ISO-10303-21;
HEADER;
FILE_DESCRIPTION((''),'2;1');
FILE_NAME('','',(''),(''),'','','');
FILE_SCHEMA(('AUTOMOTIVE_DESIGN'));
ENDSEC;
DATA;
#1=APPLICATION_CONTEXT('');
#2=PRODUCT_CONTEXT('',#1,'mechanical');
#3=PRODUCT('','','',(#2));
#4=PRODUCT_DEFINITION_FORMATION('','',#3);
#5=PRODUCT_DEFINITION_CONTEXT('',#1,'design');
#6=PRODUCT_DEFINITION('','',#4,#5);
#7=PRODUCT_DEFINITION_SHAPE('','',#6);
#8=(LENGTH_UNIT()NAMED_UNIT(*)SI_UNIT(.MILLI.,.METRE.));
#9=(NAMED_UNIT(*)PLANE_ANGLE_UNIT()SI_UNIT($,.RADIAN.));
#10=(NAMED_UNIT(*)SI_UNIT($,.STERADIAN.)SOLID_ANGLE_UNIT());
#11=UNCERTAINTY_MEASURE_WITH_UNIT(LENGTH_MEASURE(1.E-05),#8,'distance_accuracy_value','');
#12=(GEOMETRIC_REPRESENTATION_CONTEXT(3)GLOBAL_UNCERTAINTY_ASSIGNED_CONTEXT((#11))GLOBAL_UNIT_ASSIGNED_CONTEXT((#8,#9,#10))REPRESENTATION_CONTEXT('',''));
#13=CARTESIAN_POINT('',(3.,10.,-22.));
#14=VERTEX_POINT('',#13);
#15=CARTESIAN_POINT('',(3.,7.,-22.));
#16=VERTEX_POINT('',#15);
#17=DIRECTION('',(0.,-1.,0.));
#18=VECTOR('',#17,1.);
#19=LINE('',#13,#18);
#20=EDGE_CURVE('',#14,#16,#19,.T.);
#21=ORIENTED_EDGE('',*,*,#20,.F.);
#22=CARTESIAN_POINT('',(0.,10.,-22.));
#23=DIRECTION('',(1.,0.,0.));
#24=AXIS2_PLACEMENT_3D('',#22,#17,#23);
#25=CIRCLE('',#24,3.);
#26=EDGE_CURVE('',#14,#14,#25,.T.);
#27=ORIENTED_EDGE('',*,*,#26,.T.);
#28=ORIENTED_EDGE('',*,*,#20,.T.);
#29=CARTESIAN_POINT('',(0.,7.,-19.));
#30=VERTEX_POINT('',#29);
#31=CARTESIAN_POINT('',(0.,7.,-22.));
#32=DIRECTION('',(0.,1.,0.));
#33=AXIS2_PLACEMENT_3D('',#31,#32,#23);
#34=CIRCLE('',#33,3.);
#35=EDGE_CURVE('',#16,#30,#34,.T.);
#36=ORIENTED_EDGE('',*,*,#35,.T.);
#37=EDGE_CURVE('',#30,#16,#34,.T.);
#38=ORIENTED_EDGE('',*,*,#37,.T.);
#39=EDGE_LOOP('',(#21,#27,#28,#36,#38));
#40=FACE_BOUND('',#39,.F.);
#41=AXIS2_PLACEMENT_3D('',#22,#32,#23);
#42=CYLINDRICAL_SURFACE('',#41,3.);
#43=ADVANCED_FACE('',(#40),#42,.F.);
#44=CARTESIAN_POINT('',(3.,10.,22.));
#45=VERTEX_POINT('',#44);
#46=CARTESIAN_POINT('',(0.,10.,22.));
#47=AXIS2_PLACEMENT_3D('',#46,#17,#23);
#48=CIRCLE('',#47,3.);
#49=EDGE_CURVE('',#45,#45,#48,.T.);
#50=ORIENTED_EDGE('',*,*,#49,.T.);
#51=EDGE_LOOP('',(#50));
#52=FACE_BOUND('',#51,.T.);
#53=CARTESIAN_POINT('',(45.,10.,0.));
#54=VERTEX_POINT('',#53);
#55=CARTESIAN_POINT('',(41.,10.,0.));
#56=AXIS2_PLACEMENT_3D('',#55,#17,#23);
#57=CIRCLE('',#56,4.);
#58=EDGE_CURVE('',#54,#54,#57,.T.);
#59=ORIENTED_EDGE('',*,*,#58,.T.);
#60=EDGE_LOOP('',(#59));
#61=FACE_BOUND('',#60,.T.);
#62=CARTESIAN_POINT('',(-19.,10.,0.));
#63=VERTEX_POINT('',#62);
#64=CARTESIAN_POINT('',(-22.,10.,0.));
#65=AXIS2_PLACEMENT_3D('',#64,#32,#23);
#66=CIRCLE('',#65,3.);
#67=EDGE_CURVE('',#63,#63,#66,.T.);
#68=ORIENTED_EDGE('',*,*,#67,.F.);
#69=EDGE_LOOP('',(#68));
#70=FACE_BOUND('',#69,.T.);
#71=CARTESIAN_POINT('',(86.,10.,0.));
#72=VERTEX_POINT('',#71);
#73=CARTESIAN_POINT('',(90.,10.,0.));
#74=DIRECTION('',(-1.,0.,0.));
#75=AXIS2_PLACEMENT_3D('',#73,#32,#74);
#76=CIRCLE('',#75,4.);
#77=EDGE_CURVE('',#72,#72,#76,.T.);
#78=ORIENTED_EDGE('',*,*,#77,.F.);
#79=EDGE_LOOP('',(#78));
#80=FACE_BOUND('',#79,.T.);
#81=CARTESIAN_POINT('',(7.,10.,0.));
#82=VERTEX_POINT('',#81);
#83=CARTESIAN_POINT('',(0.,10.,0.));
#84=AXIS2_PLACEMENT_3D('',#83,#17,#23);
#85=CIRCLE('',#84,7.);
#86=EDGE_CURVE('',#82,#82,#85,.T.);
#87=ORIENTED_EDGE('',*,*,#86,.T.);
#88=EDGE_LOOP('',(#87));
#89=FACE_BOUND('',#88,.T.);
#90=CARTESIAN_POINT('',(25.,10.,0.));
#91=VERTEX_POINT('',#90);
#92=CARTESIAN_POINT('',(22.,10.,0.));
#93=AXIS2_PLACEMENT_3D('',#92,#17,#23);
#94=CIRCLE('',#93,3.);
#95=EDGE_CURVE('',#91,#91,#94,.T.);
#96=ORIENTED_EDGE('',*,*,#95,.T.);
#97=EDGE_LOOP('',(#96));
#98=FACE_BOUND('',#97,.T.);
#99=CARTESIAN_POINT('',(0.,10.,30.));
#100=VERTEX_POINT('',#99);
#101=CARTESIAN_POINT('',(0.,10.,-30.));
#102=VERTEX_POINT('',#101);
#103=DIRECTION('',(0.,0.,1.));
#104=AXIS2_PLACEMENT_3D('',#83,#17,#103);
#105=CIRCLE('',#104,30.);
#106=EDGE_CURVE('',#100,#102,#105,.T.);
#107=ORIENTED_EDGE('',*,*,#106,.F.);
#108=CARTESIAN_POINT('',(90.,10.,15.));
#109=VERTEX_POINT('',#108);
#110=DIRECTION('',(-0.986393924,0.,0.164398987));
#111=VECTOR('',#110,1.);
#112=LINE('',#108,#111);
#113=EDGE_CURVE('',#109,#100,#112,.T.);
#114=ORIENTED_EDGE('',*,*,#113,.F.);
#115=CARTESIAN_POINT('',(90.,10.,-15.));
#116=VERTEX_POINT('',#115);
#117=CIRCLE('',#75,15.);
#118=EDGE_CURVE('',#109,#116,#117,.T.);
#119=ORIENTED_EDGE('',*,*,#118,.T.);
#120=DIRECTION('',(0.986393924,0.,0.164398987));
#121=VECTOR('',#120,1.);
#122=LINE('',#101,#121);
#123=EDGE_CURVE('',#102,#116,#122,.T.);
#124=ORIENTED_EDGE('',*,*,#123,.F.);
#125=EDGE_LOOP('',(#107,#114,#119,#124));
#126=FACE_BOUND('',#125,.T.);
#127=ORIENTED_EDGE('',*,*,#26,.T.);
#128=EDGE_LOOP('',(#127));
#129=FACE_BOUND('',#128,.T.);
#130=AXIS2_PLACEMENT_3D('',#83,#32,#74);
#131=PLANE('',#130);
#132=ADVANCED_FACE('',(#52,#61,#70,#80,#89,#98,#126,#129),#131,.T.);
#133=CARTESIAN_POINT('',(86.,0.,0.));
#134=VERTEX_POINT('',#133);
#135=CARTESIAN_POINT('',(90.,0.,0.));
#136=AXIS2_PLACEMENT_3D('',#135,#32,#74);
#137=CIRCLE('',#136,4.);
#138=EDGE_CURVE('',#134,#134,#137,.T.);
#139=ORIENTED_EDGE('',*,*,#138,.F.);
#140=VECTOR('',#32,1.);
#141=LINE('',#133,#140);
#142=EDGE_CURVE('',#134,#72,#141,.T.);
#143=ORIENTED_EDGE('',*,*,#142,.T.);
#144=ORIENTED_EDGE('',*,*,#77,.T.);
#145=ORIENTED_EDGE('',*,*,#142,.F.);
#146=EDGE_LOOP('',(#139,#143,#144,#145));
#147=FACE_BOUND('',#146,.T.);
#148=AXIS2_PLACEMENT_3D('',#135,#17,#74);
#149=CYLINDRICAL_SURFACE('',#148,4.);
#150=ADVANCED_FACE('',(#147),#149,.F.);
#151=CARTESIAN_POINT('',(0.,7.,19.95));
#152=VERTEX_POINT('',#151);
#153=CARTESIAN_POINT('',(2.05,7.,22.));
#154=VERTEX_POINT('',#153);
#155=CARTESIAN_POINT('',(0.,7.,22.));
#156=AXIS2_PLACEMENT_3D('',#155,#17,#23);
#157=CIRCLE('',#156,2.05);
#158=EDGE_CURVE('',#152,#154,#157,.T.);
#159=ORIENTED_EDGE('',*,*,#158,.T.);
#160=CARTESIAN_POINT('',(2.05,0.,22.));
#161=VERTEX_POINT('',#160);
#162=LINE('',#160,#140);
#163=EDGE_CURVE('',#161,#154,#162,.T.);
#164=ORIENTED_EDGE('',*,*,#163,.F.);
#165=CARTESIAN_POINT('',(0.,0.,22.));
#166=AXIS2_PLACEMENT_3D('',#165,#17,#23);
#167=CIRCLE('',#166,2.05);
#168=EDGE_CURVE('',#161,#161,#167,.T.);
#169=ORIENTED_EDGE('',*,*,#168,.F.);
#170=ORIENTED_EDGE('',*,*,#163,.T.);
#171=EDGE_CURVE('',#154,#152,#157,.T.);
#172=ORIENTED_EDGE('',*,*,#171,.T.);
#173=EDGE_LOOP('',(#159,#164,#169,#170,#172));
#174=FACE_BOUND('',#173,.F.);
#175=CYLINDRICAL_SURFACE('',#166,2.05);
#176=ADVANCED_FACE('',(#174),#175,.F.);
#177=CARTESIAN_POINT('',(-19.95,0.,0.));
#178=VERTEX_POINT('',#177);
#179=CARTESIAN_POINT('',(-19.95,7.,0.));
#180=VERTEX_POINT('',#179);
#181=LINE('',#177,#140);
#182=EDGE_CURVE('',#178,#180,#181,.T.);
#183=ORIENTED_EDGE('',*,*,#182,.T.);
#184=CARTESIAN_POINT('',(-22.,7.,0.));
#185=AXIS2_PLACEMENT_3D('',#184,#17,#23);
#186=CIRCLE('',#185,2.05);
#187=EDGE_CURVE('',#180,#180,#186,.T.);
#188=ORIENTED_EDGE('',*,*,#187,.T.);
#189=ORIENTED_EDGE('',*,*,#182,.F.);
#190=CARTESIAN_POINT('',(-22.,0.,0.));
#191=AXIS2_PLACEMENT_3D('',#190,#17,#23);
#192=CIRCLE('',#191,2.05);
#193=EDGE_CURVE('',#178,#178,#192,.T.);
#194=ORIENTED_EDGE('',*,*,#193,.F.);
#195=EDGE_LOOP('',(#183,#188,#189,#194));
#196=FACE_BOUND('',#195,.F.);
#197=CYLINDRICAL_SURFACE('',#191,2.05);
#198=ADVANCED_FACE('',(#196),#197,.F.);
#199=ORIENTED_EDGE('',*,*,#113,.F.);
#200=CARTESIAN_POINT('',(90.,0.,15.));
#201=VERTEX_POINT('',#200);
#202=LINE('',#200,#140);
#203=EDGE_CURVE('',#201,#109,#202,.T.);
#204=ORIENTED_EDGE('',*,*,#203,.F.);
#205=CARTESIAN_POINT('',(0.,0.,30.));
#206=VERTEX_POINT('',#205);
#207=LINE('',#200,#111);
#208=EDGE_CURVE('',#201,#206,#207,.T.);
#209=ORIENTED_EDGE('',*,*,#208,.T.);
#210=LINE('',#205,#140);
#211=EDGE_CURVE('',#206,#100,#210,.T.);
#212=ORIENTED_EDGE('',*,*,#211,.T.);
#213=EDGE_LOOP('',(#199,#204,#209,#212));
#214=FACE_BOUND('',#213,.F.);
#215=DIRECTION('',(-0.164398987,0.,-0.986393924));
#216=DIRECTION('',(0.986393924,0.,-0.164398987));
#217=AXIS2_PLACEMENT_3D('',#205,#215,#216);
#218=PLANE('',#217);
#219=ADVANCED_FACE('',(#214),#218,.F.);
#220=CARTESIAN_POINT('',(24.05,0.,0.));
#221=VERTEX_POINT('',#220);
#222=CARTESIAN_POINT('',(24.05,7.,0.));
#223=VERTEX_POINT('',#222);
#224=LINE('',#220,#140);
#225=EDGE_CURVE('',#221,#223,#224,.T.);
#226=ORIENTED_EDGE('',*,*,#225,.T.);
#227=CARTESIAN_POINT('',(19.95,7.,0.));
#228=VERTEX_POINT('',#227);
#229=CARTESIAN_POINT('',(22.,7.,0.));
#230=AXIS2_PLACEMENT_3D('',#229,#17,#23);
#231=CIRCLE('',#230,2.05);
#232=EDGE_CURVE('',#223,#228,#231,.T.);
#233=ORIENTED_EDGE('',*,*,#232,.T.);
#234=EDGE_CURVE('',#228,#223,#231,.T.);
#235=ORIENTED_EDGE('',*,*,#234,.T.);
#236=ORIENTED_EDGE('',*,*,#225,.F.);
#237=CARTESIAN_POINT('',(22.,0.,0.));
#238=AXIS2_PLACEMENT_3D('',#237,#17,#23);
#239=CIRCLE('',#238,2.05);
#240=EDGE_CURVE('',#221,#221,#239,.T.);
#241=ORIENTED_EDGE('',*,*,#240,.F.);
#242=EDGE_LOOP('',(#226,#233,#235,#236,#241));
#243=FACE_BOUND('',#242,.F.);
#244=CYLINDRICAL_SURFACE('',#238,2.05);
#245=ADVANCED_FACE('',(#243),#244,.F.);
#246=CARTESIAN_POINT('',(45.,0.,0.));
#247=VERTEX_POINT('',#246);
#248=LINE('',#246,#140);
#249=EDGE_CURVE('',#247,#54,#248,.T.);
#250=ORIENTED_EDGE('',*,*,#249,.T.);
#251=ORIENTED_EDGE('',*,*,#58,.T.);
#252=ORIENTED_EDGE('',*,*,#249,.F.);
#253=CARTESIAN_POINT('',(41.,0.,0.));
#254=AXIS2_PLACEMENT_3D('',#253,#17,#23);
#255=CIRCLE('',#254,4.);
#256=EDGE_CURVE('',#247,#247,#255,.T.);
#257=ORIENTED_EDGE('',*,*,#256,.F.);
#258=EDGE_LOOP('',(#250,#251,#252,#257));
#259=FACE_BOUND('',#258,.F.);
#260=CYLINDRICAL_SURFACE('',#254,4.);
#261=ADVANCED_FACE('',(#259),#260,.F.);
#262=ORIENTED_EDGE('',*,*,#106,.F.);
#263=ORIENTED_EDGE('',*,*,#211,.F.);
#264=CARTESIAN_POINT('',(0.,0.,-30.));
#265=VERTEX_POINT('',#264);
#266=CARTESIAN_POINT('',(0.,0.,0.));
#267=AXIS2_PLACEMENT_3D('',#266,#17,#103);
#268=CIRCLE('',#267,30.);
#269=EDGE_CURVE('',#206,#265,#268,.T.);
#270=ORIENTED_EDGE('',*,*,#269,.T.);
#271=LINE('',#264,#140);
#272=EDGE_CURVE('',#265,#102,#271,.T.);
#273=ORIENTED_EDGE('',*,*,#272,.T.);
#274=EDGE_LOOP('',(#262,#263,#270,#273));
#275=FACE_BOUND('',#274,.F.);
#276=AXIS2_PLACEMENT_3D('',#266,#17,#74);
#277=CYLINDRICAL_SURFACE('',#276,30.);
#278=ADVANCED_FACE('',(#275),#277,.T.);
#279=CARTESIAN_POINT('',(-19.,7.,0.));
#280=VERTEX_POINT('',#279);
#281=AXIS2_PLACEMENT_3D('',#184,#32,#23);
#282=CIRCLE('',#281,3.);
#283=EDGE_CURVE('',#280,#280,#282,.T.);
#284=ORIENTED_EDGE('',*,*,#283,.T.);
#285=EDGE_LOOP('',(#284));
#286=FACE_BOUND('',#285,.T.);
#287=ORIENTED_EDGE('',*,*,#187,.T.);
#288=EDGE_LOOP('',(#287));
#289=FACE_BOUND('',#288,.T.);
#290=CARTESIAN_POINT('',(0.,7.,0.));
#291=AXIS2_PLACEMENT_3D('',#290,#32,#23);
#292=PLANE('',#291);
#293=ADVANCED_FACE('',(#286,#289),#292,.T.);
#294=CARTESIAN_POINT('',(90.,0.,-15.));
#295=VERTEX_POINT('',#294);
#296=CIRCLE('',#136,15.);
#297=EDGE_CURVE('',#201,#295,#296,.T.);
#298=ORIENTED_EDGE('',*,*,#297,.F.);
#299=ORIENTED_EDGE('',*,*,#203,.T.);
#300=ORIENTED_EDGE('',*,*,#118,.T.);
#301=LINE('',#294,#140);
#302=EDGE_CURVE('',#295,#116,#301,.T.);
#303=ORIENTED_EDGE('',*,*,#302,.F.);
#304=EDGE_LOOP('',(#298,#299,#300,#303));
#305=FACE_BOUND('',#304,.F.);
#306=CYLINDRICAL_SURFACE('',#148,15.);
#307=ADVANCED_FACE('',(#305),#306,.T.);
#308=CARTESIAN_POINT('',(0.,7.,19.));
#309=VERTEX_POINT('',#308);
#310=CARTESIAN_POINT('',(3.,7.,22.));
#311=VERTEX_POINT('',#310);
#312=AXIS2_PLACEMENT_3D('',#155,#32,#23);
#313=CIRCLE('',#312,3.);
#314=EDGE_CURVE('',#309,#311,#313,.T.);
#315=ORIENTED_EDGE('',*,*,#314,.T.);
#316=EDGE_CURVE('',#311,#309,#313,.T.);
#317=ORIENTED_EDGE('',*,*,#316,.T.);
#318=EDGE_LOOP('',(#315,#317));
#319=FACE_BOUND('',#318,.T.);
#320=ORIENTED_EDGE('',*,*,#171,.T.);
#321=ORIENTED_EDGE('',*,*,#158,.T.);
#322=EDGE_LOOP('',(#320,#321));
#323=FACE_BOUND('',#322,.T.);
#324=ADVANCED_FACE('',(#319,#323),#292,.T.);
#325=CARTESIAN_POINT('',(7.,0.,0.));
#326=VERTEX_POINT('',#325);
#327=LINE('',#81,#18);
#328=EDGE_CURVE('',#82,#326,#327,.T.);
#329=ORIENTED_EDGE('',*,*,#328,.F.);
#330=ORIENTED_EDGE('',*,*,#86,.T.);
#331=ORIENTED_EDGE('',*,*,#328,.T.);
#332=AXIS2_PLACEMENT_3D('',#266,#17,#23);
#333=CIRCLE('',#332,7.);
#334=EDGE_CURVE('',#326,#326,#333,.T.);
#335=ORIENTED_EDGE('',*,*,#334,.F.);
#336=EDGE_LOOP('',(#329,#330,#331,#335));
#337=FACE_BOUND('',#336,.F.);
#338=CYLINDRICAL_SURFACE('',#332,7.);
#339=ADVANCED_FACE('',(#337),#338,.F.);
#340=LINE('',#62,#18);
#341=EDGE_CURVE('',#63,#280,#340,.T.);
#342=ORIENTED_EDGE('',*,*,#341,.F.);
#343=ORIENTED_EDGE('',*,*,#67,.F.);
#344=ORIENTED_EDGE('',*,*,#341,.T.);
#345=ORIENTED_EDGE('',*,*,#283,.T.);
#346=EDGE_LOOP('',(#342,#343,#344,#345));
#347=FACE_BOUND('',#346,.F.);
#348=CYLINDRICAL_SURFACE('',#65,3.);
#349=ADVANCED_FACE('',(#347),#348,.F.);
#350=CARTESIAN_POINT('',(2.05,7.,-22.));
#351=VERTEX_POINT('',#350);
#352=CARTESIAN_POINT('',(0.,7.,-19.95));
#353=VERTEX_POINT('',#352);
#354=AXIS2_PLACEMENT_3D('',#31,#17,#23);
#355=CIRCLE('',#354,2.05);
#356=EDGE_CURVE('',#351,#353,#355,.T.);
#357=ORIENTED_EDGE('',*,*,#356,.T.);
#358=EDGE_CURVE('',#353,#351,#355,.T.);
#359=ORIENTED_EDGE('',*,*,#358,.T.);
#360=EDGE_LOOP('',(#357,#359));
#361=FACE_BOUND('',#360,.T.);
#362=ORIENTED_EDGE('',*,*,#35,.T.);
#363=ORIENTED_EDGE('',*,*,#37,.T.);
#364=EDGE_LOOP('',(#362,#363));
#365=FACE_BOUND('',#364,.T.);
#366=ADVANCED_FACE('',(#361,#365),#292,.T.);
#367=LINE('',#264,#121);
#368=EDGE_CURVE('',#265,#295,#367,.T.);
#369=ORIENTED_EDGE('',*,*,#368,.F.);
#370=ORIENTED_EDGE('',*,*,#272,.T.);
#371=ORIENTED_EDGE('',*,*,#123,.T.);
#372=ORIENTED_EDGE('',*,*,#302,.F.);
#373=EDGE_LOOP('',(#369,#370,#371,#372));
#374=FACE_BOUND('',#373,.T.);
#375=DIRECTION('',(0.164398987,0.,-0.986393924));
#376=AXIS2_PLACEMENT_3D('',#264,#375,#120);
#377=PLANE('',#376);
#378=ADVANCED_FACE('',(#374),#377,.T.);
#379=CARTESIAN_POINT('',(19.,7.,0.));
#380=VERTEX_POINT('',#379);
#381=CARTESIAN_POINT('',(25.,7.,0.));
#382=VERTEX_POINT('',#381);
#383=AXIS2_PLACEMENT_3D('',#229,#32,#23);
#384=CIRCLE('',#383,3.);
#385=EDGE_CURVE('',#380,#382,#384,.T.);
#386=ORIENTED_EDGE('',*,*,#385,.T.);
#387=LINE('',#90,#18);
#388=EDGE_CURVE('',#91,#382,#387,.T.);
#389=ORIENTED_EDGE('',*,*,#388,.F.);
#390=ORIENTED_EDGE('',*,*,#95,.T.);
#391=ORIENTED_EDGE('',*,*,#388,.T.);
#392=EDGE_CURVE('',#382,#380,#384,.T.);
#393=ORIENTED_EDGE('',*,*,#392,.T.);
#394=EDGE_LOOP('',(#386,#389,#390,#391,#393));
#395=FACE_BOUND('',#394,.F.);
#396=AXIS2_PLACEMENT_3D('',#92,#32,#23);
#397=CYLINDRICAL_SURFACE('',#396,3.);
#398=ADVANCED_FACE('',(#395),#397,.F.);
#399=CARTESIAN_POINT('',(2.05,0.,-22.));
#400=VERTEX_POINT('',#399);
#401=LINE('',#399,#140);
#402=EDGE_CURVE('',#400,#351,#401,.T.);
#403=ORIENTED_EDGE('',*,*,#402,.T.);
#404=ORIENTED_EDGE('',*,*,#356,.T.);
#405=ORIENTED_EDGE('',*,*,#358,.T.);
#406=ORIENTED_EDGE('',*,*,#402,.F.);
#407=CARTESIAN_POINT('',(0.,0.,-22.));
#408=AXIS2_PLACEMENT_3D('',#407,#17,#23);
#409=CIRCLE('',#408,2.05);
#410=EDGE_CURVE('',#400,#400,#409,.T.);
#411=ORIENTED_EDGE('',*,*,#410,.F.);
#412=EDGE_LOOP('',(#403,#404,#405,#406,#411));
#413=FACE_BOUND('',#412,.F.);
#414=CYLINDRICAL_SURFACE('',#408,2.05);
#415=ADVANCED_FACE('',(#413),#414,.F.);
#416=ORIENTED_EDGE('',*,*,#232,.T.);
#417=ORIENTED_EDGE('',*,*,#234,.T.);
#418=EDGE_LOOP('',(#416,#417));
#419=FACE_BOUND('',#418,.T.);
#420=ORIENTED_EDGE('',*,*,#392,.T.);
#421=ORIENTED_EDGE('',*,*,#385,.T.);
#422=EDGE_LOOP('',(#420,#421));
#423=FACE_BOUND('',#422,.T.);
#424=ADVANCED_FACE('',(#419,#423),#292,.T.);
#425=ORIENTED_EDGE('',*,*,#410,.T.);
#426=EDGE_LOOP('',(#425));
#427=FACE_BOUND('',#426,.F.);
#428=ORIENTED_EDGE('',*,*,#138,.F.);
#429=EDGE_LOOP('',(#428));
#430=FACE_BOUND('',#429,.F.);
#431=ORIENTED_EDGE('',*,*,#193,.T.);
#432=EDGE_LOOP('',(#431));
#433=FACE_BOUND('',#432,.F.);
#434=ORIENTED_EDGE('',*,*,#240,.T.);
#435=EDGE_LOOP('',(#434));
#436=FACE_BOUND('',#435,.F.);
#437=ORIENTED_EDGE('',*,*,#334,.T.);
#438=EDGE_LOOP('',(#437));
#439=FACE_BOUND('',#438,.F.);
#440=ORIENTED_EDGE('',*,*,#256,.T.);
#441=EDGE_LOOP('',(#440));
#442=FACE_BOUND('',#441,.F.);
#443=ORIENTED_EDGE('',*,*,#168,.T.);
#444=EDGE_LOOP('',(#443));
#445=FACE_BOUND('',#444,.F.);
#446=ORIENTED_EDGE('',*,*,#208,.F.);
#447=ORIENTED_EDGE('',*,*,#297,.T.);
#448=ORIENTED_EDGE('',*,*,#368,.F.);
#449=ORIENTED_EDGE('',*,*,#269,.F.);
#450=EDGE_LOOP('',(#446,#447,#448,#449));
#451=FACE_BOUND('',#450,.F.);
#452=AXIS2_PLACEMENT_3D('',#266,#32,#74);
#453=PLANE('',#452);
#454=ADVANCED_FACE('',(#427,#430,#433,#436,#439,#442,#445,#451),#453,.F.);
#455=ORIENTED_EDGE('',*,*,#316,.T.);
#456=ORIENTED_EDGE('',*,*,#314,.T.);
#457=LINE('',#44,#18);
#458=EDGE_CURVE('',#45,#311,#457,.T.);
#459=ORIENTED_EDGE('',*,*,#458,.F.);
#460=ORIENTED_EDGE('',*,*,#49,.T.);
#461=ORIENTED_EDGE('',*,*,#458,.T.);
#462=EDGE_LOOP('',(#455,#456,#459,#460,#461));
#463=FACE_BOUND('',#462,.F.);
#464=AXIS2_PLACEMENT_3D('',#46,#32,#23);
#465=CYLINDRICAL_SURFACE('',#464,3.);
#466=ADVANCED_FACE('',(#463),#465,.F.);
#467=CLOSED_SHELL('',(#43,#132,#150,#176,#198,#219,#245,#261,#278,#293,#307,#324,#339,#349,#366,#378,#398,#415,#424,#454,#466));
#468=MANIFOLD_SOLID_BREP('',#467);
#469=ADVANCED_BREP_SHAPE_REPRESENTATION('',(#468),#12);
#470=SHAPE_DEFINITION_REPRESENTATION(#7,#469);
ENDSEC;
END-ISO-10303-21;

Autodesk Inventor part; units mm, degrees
ref_plane "YZ Plane" through (0, 0, 0) normal (1, 0, 0) x (0, 1, 0)
ref_plane "XZ Plane" through (0, 0, 0) normal (0, 1, 0) x (-1, 0, 0)
ref_plane "XY Plane" through (0, 0, 0) normal (0, 0, 1) x (1, 0, 0)
sketch "Sketch1" plane through (0, 0, 0) normal (0, 1, 0) x (-1, 0, 0)
  circle A0 centre (0, 0) radius 22
  line L0 (0, 0) -> (0, -22)
  circle A1 centre (0, -22) radius 1.55
  circle A2 centre (0, -22) radius 3
  circle A3 centre (22, 0) radius 3
  circle A4 centre (22, 0) radius 1.55
  circle A5 centre (0, 22) radius 3
  circle A6 centre (0, 22) radius 1.55
  circle A7 centre (-22, 0) radius 3
  circle A8 centre (-22, 0) radius 1.55
  circle A9 centre (0, 0) radius 30
  line L1 (0, 0) -> (-90, 0)
  circle A10 centre (-90, 0) radius 4
  circle A11 centre (-90, 0) radius 15
  line L2 (0, -30) -> (-90, -15)
  line L3 (0, 30) -> (-90, 15)
  circle A12 centre (0, 0) radius 5
  dimension "d0" = 44
  dimension "d1" = 3.1
  dimension "d2" = 6
  dimension "d5" = 360
  dimension "d7" = 60
  dimension "d8" = 90
  dimension "d9" = 8
  dimension "d10" = 30
  dimension "d11" = 10
extrude "Extrusion1" add sketch "Sketch1" along normal blind 10 contours A0 A4 | A0 A4 | A4 A0 A3 | A0 A3 A4 | A3 A0 A2 L0 A12 L1 A7 A5 | A9 L3 L2 | A9 L2 A11 L1 | L1 A11 L3 A9 | A5 A0 A6 | A0 A6 A5 | A2 A0 A1 | A0 A1 L0 A2 | A6 A0 | A0 A6 | A1 A0 | A0 L0 A1 | A2 A0 A7 L1 A12 L0 | L0 A1 A0 A2 | A7 L1 A8 A0 | A0 A8 L1 A7 | A0 A1 L0 | A12 L1 L0 | L0 L1 A12 | A8 L1 A0 | A0 L1 A8 | A7 A0 A8 L1 | L1 A8 A0 A7 | L1 A8 A0 | A0 A8 L1 | A11
sketch "Sketch2" plane through (0, 0, 0) normal (0, -1, 0) x (1, 0, 0)
  circle A0 centre (0, 22) radius 1.5
  circle A1 centre (0, -22) radius 1.5
  circle A2 centre (22, 0) radius 1.5
  circle A3 centre (-22, 0) radius 1.5
  circle A4 centre (0, 22) radius 2.05
  circle A5 centre (22, 0) radius 2.05
  circle A6 centre (-22, 0) radius 2.05
  circle A7 centre (0, -22) radius 2.05
  circle A8 centre (-22, 0) radius 2.05
  circle A9 centre (0, 22) radius 2.05
  circle A10 centre (22, 0) radius 2.05
  circle A11 centre (0, -22) radius 2.05
  point P0 (0, 0)
  dimension "d16" = 3
  dimension "d17" = 3
  dimension "d19" = 3
  dimension "d21" = 3
  dimension "d34" = 4.1
  dimension "d35" = 4.1
  dimension "d36" = 4.1
  dimension "d37" = 4.1
  dimension "d38" = 4.1
  dimension "d39" = 4.1
  dimension "d40" = 4.1
  dimension "d41" = 4.1
extrude "Extrusion2" cut sketch "Sketch2" against normal blind 10 contours A0 | A1 | A2 | A3
sketch "Sketch3" plane through (0, 10, 0) normal (0, 1, 0) x (1, 0, 0)
  circle A0 centre (0, -22) radius 1.5 projected
  line L0 (0, 0) -> (0, -22)
  circle A1 centre (-22, 0) radius 1.5 projected
  line L1 (0, 0) -> (-22, 0)
  circle A2 centre (0, 22) radius 1.5 projected
  line L2 (0, 0) -> (0, 22)
  circle A3 centre (22, 0) radius 1.5 projected
  line L3 (0, 0) -> (22, 0)
  circle A4 centre (0, -22) radius 3
  circle A5 centre (22, 0) radius 3
  circle A6 centre (0, 22) radius 3
  circle A7 centre (-22, 0) radius 3
  dimension "d24" = 6
  dimension "d27" = 360
extrude "Extrusion3" cut sketch "Sketch3" against normal blind 3
sketch "Sketch4" plane through (0, 0, 0) normal (0, -1, 0) x (1, 0, 0)
  circle A0 centre (0, 0) radius 5 projected
  circle A1 centre (0, 0) radius 7
  point P0 (0, 0)
  dimension "d31" = 14
extrude "Extrusion4" cut sketch "Sketch4" against normal blind 2.5
ref_plane "Work Plane1" through (0, 0, 0) normal (0, -1, 0) x (1, 0, 0)
sketch "Sketch5" plane through (0, 0, 0) normal (0, -1, 0) x (1, 0, 0)
  circle A0 centre (0, 22) radius 1.5 projected
  circle A1 centre (0, 22) radius 2.05
  circle A2 centre (-22, 0) radius 2.05
  circle A3 centre (0, -22) radius 2.05
  circle A4 centre (22, 0) radius 2.05
  point P0 (0, 0)
  dimension "d43" = 4.1
  dimension "d46" = 360
extrude "Extrusion5" cut sketch "Sketch5" against normal blind 10
sketch "Sketch6" plane through (0, 0, 0) normal (0, -1, 0) x (1, 0, 0)
  circle A0 centre (0, 0) radius 7
extrude "Extrusion6" cut sketch "Sketch6" against normal blind 70.5
sketch "Sketch7" plane through (0, 0, 0) normal (0, -1, 0) x (1, 0, 0)
  circle A0 centre (90, 0) radius 4 projected
  circle A1 centre (41, 0) radius 4
  point P0 (0, 0)
  dimension "d53" = 8
extrude "Extrusion7" cut sketch "Sketch7" against normal blind 29.5 contours A1
properties part number "motormount"
